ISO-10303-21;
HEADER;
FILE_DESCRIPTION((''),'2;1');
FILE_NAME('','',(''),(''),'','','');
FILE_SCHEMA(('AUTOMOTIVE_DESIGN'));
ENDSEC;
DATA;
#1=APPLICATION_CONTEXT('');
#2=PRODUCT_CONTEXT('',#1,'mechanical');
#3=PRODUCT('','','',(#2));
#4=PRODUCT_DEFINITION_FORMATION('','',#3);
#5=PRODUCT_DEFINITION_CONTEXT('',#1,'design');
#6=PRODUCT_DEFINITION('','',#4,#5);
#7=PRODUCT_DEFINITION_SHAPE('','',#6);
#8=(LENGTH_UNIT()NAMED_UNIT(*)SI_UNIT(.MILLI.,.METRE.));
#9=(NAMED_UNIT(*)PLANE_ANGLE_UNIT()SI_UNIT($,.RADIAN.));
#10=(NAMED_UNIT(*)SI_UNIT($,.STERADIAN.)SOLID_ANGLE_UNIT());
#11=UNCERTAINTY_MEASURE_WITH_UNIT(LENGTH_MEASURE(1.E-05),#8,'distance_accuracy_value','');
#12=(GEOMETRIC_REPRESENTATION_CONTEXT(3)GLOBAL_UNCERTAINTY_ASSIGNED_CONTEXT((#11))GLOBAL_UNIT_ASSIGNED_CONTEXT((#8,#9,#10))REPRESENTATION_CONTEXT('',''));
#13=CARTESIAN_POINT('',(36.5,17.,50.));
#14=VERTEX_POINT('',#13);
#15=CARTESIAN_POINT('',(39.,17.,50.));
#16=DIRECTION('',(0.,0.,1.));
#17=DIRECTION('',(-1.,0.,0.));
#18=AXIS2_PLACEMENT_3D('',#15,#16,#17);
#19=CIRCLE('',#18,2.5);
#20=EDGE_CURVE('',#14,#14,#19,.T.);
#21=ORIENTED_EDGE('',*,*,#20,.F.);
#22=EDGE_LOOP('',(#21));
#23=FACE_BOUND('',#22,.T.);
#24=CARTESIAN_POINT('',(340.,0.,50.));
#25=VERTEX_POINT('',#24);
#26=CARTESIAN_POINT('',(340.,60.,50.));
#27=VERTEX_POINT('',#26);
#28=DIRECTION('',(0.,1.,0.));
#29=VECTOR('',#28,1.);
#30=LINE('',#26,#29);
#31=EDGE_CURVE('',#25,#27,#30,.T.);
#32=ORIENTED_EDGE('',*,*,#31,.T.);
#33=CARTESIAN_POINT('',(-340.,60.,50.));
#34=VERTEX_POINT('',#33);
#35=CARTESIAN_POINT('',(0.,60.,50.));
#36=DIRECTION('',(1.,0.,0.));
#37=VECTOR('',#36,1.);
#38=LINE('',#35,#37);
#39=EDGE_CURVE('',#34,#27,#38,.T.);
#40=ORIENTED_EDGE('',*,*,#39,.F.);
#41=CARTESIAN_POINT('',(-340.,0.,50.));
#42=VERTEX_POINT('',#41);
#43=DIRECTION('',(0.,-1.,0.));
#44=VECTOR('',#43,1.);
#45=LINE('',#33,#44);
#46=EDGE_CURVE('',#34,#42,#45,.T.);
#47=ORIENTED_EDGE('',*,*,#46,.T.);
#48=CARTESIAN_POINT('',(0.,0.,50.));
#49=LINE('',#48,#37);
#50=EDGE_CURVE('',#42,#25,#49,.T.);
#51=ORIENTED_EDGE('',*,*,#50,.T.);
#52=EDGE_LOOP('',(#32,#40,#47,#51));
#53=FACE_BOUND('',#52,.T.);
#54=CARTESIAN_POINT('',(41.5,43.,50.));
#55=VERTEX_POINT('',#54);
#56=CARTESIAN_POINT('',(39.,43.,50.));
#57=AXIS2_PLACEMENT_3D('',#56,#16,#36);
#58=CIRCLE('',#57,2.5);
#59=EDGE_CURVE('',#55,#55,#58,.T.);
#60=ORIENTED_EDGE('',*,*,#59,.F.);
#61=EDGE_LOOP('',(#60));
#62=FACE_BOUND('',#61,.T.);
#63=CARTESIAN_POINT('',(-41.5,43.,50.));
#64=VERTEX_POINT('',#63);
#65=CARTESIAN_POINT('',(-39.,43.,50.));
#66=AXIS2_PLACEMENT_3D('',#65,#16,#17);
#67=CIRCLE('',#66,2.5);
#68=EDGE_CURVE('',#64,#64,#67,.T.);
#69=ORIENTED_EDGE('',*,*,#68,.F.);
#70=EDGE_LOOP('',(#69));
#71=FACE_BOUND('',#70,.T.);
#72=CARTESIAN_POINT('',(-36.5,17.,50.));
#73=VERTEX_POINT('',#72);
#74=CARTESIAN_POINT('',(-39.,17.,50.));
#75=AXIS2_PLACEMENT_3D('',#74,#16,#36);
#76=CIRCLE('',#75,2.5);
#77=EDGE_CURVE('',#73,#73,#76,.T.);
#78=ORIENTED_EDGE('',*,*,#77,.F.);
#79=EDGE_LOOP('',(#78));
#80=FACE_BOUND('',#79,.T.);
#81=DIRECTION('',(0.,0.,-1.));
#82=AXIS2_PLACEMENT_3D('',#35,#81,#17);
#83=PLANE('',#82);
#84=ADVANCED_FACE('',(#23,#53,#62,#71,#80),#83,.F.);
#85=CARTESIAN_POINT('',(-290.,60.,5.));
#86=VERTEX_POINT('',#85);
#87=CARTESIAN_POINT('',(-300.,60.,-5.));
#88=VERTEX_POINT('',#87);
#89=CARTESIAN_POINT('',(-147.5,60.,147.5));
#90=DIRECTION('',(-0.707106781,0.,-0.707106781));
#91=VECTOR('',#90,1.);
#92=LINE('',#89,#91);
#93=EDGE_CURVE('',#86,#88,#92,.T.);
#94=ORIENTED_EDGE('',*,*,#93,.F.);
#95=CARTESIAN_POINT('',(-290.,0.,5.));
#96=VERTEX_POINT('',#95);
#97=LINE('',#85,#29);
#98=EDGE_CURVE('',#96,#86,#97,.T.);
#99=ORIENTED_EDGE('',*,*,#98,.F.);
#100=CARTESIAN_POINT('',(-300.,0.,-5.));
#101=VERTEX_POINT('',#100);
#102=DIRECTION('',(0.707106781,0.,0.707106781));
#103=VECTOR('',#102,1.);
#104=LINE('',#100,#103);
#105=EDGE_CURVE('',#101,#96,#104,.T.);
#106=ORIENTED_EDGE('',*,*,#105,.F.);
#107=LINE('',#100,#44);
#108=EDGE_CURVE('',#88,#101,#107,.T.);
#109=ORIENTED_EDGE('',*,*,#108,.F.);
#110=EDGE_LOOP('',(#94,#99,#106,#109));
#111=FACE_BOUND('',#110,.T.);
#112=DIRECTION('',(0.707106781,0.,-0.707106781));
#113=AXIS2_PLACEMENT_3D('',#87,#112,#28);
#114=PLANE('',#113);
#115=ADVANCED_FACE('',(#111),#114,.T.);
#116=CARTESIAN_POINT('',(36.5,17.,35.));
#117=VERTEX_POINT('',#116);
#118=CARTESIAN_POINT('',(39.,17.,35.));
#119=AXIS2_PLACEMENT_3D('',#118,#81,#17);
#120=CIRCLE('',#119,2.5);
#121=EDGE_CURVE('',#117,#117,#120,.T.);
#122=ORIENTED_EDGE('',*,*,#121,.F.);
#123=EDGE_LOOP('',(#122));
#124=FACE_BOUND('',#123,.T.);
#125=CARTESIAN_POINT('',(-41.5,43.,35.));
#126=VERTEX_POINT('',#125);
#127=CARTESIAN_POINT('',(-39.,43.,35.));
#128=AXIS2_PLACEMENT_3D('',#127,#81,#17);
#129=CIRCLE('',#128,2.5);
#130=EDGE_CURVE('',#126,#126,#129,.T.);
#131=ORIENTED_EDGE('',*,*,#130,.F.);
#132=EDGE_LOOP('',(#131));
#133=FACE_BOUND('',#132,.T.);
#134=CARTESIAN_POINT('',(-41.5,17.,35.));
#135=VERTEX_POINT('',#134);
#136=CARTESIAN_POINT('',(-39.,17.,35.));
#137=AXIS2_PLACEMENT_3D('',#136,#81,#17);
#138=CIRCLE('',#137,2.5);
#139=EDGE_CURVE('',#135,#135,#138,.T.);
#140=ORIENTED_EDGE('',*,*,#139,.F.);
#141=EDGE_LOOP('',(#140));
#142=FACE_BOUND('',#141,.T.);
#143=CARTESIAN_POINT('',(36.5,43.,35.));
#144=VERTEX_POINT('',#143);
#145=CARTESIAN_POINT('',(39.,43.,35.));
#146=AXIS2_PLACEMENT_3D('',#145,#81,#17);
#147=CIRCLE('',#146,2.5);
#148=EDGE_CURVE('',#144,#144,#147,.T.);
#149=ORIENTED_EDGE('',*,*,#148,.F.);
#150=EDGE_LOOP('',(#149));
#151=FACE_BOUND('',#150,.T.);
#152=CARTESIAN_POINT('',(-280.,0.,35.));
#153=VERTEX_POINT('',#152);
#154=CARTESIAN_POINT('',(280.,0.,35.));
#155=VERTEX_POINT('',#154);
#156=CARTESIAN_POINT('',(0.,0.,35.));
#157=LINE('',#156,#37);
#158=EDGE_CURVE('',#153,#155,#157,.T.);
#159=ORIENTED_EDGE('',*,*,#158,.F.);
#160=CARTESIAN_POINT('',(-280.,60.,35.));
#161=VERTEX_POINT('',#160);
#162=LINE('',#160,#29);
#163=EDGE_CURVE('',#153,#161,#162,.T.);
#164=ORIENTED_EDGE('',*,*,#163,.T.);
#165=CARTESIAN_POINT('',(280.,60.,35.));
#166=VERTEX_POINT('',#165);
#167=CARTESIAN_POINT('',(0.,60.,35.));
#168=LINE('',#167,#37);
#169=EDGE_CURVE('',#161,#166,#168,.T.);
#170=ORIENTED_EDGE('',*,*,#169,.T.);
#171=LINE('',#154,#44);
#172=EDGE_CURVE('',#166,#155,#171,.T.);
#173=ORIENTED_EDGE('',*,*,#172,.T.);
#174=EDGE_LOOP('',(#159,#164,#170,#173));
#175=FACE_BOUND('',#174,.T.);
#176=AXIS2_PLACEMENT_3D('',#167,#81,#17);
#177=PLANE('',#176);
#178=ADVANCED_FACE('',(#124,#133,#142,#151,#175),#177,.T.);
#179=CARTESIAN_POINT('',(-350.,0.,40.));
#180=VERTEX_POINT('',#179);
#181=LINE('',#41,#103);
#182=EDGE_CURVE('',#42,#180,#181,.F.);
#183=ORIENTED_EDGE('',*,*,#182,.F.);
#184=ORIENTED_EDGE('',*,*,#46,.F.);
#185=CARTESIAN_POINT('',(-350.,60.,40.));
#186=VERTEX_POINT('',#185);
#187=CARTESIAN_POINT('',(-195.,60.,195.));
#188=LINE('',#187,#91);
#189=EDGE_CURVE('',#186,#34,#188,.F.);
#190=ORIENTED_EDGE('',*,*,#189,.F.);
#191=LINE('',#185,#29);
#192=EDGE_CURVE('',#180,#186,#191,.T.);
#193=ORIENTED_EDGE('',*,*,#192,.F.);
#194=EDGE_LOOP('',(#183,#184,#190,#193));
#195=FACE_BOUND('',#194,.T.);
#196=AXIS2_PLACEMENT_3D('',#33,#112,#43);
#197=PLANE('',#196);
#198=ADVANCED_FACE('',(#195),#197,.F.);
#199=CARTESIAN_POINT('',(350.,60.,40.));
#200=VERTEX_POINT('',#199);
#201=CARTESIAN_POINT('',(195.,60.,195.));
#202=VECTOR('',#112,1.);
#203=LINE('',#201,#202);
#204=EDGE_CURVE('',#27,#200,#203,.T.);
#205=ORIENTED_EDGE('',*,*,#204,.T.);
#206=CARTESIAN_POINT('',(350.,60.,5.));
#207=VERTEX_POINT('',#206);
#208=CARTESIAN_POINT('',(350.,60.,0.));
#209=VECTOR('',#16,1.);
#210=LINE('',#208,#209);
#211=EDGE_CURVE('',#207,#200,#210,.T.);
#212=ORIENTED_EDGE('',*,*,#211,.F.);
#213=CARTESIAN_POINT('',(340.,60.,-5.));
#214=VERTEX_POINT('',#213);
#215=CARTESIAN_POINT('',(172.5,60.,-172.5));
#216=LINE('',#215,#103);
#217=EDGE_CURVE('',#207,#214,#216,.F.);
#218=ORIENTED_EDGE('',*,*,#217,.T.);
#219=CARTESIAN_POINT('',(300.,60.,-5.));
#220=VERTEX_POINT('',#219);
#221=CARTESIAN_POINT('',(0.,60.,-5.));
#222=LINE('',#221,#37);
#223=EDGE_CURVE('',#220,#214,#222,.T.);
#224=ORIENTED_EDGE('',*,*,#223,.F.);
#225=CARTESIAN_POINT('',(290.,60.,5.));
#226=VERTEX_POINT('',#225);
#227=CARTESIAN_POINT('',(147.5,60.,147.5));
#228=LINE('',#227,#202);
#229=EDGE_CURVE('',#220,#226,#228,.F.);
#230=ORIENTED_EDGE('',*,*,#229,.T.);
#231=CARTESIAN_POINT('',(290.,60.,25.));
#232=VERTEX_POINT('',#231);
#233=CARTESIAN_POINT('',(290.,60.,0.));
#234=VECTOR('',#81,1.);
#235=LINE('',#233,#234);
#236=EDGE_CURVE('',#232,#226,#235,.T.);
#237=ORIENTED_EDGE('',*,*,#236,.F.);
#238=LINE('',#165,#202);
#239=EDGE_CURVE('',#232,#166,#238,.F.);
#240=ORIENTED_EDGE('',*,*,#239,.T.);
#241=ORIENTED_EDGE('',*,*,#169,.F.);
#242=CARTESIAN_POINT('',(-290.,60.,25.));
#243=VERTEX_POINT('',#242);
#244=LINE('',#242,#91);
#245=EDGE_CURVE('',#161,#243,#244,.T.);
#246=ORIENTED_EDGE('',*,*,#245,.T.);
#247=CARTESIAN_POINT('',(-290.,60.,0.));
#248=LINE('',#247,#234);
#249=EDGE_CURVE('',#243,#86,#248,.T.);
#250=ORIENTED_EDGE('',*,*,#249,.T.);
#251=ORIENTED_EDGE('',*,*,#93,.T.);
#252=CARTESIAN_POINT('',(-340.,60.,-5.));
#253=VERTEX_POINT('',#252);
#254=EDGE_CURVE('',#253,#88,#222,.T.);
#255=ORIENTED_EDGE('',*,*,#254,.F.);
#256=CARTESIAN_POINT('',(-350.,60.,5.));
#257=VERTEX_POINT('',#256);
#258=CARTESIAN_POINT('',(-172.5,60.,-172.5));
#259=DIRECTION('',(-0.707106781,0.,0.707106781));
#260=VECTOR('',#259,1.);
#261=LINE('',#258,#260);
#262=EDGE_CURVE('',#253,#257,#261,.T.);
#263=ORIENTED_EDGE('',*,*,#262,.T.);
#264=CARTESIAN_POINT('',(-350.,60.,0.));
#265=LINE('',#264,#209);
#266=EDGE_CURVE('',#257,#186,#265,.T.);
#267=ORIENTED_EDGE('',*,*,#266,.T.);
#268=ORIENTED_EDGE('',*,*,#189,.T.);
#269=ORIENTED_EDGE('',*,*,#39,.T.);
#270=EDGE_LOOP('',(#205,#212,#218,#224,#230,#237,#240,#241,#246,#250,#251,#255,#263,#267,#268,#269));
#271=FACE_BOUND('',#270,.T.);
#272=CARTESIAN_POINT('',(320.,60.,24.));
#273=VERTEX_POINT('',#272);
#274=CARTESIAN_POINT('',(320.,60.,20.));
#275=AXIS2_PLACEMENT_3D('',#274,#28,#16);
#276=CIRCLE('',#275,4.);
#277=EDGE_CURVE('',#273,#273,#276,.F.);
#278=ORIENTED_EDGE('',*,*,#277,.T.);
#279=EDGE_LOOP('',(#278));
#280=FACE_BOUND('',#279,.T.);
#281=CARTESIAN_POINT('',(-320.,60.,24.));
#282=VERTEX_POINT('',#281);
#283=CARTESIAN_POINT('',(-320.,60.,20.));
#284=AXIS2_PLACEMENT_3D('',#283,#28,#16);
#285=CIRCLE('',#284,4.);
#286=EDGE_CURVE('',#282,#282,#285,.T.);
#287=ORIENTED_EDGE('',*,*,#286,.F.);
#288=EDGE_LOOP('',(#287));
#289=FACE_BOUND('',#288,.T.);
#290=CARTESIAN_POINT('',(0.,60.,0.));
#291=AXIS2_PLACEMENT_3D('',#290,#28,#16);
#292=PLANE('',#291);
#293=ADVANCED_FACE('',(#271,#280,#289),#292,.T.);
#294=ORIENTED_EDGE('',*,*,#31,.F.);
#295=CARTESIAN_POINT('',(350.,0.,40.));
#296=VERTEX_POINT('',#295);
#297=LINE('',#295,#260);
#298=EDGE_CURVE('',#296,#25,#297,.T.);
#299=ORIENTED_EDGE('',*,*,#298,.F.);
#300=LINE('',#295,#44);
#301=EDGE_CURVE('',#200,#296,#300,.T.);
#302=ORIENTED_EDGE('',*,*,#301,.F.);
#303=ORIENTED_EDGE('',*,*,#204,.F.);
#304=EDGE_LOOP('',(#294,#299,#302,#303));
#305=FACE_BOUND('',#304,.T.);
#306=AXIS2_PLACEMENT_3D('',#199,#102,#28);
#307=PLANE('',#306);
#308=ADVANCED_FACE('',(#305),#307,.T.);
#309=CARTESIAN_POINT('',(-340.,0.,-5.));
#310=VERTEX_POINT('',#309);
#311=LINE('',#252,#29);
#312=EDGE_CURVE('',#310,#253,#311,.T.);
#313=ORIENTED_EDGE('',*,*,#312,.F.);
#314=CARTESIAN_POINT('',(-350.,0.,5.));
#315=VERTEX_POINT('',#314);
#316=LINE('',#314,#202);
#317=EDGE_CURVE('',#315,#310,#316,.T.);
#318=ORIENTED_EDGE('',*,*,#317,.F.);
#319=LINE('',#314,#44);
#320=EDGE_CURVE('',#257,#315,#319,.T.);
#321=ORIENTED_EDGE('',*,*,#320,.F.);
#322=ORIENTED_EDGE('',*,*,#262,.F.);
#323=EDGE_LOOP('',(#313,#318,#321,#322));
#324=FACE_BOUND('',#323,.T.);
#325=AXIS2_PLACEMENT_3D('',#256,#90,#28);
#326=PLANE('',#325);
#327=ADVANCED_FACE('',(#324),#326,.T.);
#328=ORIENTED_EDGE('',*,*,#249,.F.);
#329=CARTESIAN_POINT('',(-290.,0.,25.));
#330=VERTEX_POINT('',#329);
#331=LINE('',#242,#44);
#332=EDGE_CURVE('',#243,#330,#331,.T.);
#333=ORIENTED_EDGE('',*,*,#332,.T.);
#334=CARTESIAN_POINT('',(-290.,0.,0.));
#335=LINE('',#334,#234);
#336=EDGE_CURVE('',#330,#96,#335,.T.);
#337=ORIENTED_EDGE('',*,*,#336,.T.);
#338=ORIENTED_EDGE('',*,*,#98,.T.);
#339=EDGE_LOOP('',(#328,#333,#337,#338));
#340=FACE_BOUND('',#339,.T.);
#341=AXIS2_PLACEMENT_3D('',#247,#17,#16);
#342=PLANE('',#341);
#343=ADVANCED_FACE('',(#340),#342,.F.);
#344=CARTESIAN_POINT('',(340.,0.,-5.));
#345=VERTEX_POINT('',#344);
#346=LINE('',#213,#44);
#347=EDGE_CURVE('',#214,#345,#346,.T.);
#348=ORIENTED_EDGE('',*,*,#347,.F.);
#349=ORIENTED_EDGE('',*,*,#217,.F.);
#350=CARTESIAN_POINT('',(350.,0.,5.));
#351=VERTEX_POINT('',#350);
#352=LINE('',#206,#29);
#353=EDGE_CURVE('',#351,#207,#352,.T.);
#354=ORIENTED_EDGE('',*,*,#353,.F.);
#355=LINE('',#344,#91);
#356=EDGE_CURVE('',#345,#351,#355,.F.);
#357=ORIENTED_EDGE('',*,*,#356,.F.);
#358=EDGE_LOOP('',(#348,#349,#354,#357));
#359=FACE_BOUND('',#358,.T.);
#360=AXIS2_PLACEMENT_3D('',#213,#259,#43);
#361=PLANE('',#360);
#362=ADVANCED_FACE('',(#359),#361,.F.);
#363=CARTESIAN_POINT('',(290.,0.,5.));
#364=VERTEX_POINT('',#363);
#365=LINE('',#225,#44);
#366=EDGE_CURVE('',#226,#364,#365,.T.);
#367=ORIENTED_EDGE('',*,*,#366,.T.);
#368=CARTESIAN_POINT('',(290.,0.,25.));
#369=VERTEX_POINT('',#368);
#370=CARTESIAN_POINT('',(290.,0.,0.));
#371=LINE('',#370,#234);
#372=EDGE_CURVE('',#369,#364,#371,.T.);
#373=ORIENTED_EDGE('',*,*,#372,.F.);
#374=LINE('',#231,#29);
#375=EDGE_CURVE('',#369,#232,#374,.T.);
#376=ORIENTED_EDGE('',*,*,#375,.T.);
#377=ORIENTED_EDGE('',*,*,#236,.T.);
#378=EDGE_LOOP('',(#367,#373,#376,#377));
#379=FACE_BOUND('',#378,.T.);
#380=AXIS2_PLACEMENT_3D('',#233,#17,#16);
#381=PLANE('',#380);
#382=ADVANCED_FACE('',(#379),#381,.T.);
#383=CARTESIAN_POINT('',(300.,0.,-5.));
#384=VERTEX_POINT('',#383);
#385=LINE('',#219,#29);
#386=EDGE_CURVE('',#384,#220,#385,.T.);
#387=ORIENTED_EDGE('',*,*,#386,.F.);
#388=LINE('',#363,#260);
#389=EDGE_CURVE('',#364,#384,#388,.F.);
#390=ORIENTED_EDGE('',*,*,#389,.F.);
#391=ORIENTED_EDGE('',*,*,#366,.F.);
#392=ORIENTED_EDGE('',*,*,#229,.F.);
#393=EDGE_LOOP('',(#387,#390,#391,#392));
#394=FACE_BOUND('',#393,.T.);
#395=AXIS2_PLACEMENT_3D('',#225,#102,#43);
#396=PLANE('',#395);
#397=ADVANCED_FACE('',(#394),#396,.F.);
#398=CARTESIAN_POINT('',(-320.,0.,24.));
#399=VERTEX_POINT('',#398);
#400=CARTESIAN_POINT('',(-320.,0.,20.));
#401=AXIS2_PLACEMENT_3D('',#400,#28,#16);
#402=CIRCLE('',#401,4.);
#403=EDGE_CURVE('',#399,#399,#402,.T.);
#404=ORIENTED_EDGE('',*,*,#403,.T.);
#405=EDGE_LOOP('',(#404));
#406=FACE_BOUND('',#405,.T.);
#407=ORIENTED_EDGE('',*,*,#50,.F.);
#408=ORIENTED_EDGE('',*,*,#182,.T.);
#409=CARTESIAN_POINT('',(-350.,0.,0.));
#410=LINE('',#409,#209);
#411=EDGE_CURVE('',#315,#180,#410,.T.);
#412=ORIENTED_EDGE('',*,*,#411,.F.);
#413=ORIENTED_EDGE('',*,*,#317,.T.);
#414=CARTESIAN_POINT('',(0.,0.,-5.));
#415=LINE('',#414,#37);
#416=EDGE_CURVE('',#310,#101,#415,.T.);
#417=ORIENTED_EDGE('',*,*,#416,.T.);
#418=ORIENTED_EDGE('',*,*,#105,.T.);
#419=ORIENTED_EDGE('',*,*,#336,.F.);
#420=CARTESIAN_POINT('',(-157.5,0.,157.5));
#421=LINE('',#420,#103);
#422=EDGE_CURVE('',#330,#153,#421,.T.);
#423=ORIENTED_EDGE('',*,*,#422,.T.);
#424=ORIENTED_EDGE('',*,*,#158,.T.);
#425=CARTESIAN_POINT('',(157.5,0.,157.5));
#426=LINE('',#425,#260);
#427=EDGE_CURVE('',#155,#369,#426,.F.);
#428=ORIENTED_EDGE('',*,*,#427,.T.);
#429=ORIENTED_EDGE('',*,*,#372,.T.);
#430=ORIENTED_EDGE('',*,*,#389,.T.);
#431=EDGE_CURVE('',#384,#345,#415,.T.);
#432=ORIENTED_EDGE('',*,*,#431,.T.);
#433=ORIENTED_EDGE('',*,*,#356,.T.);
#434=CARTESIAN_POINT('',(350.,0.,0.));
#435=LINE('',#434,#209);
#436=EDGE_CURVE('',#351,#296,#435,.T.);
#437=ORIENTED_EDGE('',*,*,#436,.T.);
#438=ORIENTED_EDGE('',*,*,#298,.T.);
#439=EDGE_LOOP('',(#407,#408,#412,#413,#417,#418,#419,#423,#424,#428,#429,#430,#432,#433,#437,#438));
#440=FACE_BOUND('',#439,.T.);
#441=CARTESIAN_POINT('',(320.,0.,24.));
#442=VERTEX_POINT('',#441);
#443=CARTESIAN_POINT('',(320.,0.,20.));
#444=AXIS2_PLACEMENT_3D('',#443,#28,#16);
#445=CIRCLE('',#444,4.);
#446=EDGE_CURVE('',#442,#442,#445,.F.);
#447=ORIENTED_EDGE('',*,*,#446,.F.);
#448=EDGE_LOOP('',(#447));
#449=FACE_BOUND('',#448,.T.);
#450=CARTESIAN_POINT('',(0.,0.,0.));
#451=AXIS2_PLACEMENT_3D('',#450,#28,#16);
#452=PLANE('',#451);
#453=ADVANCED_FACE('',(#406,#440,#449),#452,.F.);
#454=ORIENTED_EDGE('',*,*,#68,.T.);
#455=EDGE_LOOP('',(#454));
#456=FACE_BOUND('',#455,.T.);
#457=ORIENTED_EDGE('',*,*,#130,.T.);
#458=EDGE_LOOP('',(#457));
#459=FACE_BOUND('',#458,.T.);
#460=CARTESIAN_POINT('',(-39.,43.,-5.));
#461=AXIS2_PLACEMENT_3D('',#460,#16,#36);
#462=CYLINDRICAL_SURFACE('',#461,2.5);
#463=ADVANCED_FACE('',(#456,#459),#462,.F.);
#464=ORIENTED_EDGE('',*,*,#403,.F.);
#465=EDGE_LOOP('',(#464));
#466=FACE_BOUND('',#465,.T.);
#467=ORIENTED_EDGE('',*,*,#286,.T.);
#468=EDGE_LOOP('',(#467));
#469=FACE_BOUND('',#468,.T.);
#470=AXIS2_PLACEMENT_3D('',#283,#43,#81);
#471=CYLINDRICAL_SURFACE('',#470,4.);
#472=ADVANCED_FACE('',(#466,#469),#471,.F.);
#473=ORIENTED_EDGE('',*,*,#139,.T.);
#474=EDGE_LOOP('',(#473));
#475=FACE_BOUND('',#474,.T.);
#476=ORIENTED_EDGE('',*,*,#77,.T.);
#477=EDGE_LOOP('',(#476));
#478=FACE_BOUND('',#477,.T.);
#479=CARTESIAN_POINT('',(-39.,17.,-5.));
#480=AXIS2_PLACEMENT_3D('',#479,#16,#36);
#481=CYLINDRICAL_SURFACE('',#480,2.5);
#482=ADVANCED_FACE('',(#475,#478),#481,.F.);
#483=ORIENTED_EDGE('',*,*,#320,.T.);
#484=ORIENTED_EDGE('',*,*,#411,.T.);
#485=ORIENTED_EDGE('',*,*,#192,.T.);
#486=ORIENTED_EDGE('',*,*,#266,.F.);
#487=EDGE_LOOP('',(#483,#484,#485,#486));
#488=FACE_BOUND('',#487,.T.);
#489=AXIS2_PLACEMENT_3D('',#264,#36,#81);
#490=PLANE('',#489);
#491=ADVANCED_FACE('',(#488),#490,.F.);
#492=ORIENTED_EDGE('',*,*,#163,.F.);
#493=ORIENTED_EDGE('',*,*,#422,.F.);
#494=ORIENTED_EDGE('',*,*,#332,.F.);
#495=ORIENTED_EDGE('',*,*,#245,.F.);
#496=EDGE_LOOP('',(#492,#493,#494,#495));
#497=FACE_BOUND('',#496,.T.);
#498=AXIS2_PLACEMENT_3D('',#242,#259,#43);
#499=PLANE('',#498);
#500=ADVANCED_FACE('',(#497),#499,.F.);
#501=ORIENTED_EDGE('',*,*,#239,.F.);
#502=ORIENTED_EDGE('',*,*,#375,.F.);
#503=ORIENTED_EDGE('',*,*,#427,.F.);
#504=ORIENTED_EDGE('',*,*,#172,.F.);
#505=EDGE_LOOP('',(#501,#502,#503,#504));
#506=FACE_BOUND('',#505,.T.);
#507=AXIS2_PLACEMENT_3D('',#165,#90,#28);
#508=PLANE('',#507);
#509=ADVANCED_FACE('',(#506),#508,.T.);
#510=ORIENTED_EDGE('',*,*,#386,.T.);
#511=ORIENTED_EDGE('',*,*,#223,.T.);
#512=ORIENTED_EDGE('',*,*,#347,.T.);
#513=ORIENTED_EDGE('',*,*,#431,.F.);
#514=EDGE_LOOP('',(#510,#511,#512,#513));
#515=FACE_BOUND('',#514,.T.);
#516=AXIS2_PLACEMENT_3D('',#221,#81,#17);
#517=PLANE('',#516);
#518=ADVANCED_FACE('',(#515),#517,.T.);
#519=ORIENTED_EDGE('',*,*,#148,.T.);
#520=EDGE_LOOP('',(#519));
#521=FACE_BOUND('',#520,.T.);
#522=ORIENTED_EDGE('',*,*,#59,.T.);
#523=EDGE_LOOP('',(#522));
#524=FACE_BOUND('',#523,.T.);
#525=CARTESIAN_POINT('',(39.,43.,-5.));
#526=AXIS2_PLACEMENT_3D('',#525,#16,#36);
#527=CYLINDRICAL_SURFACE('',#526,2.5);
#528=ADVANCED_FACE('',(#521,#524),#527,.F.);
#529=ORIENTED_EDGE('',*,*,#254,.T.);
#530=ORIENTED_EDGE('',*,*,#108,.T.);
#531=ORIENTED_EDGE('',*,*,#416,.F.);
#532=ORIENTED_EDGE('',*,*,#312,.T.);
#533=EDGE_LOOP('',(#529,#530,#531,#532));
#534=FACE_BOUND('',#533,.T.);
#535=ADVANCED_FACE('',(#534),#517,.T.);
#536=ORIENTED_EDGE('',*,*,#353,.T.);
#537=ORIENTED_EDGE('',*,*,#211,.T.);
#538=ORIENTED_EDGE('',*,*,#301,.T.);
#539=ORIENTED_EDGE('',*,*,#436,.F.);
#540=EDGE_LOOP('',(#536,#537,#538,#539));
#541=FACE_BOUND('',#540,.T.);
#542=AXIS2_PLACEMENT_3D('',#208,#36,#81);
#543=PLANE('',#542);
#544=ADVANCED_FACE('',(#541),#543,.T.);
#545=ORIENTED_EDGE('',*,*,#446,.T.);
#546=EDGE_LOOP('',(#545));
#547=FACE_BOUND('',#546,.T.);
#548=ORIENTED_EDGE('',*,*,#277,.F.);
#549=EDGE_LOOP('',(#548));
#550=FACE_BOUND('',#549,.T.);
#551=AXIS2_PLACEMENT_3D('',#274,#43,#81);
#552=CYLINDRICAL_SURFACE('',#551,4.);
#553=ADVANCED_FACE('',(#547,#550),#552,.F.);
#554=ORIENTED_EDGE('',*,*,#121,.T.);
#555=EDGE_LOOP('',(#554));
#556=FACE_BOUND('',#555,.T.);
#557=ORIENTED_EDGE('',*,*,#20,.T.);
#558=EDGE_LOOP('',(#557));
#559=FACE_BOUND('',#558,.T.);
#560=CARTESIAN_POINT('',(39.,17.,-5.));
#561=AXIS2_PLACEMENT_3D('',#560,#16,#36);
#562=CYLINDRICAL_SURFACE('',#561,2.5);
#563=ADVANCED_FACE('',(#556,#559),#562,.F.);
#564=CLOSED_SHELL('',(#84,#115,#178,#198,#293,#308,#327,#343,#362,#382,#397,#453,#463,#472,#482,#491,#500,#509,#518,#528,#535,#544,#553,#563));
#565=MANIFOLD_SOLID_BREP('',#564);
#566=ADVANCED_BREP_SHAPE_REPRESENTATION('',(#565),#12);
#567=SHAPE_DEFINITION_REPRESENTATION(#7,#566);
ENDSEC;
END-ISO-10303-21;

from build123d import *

# Parameters (mm, degrees)
SKETCH2_R           = 4
BOSS_EXTRUDE2_DEPTH = 60
CHAMFER3_SIZE       = 10
SKETCH3_R           = 2.5
CUT_EXTRUDE1_DEPTH  = 360.339672177


with BuildPart() as part:
    # Sketch2 → Boss-Extrude2 (new body)
    with BuildSketch(Plane(origin=(0, 0, 0), x_dir=(1, 0, 0), z_dir=(0, 1, 0))):
        Polygon((-290, 5), (-350, 5), (-350, -50), (350, -50), (350, 5), (290, 5), (290, -35), (-290, -35), align=None)
        with Locations(Location((-320, -20, 0), (0, 0, 270))):
            Circle(SKETCH2_R, mode=Mode.SUBTRACT)
        with Locations(Location((320, -20, 0), (0, 0, 270))):
            Circle(SKETCH2_R, mode=Mode.SUBTRACT)
    extrude(amount=BOSS_EXTRUDE2_DEPTH)

    # Chamfer3
    chamfer3_edges = [part.edges().sort_by_distance(p)[0] for p in [
        (290, 30, -5),
        (350, 30, -5),
        (350, 30, 50),
        (-350, 30, 50),
        (-350, 30, -5),
        (-290, 30, -5),
        (-290, 30, 35),
        (290, 30, 35),
    ]]
    chamfer(chamfer3_edges, length=CHAMFER3_SIZE)

    # Sketch3 → Cut-Extrude1 (cut, through all)
    with BuildSketch(Plane.XY.offset(50)):
        with Locations((39, 43)):
            Circle(SKETCH3_R)
        with Locations(Location((39, 17, 0), (0, 0, 180))):
            Circle(SKETCH3_R)
        with Locations((-39, 17)):
            Circle(SKETCH3_R)
        with Locations(Location((-39, 43, 0), (0, 0, 180))):
            Circle(SKETCH3_R)
    extrude(amount=-CUT_EXTRUDE1_DEPTH, mode=Mode.SUBTRACT)


solid = part.part
